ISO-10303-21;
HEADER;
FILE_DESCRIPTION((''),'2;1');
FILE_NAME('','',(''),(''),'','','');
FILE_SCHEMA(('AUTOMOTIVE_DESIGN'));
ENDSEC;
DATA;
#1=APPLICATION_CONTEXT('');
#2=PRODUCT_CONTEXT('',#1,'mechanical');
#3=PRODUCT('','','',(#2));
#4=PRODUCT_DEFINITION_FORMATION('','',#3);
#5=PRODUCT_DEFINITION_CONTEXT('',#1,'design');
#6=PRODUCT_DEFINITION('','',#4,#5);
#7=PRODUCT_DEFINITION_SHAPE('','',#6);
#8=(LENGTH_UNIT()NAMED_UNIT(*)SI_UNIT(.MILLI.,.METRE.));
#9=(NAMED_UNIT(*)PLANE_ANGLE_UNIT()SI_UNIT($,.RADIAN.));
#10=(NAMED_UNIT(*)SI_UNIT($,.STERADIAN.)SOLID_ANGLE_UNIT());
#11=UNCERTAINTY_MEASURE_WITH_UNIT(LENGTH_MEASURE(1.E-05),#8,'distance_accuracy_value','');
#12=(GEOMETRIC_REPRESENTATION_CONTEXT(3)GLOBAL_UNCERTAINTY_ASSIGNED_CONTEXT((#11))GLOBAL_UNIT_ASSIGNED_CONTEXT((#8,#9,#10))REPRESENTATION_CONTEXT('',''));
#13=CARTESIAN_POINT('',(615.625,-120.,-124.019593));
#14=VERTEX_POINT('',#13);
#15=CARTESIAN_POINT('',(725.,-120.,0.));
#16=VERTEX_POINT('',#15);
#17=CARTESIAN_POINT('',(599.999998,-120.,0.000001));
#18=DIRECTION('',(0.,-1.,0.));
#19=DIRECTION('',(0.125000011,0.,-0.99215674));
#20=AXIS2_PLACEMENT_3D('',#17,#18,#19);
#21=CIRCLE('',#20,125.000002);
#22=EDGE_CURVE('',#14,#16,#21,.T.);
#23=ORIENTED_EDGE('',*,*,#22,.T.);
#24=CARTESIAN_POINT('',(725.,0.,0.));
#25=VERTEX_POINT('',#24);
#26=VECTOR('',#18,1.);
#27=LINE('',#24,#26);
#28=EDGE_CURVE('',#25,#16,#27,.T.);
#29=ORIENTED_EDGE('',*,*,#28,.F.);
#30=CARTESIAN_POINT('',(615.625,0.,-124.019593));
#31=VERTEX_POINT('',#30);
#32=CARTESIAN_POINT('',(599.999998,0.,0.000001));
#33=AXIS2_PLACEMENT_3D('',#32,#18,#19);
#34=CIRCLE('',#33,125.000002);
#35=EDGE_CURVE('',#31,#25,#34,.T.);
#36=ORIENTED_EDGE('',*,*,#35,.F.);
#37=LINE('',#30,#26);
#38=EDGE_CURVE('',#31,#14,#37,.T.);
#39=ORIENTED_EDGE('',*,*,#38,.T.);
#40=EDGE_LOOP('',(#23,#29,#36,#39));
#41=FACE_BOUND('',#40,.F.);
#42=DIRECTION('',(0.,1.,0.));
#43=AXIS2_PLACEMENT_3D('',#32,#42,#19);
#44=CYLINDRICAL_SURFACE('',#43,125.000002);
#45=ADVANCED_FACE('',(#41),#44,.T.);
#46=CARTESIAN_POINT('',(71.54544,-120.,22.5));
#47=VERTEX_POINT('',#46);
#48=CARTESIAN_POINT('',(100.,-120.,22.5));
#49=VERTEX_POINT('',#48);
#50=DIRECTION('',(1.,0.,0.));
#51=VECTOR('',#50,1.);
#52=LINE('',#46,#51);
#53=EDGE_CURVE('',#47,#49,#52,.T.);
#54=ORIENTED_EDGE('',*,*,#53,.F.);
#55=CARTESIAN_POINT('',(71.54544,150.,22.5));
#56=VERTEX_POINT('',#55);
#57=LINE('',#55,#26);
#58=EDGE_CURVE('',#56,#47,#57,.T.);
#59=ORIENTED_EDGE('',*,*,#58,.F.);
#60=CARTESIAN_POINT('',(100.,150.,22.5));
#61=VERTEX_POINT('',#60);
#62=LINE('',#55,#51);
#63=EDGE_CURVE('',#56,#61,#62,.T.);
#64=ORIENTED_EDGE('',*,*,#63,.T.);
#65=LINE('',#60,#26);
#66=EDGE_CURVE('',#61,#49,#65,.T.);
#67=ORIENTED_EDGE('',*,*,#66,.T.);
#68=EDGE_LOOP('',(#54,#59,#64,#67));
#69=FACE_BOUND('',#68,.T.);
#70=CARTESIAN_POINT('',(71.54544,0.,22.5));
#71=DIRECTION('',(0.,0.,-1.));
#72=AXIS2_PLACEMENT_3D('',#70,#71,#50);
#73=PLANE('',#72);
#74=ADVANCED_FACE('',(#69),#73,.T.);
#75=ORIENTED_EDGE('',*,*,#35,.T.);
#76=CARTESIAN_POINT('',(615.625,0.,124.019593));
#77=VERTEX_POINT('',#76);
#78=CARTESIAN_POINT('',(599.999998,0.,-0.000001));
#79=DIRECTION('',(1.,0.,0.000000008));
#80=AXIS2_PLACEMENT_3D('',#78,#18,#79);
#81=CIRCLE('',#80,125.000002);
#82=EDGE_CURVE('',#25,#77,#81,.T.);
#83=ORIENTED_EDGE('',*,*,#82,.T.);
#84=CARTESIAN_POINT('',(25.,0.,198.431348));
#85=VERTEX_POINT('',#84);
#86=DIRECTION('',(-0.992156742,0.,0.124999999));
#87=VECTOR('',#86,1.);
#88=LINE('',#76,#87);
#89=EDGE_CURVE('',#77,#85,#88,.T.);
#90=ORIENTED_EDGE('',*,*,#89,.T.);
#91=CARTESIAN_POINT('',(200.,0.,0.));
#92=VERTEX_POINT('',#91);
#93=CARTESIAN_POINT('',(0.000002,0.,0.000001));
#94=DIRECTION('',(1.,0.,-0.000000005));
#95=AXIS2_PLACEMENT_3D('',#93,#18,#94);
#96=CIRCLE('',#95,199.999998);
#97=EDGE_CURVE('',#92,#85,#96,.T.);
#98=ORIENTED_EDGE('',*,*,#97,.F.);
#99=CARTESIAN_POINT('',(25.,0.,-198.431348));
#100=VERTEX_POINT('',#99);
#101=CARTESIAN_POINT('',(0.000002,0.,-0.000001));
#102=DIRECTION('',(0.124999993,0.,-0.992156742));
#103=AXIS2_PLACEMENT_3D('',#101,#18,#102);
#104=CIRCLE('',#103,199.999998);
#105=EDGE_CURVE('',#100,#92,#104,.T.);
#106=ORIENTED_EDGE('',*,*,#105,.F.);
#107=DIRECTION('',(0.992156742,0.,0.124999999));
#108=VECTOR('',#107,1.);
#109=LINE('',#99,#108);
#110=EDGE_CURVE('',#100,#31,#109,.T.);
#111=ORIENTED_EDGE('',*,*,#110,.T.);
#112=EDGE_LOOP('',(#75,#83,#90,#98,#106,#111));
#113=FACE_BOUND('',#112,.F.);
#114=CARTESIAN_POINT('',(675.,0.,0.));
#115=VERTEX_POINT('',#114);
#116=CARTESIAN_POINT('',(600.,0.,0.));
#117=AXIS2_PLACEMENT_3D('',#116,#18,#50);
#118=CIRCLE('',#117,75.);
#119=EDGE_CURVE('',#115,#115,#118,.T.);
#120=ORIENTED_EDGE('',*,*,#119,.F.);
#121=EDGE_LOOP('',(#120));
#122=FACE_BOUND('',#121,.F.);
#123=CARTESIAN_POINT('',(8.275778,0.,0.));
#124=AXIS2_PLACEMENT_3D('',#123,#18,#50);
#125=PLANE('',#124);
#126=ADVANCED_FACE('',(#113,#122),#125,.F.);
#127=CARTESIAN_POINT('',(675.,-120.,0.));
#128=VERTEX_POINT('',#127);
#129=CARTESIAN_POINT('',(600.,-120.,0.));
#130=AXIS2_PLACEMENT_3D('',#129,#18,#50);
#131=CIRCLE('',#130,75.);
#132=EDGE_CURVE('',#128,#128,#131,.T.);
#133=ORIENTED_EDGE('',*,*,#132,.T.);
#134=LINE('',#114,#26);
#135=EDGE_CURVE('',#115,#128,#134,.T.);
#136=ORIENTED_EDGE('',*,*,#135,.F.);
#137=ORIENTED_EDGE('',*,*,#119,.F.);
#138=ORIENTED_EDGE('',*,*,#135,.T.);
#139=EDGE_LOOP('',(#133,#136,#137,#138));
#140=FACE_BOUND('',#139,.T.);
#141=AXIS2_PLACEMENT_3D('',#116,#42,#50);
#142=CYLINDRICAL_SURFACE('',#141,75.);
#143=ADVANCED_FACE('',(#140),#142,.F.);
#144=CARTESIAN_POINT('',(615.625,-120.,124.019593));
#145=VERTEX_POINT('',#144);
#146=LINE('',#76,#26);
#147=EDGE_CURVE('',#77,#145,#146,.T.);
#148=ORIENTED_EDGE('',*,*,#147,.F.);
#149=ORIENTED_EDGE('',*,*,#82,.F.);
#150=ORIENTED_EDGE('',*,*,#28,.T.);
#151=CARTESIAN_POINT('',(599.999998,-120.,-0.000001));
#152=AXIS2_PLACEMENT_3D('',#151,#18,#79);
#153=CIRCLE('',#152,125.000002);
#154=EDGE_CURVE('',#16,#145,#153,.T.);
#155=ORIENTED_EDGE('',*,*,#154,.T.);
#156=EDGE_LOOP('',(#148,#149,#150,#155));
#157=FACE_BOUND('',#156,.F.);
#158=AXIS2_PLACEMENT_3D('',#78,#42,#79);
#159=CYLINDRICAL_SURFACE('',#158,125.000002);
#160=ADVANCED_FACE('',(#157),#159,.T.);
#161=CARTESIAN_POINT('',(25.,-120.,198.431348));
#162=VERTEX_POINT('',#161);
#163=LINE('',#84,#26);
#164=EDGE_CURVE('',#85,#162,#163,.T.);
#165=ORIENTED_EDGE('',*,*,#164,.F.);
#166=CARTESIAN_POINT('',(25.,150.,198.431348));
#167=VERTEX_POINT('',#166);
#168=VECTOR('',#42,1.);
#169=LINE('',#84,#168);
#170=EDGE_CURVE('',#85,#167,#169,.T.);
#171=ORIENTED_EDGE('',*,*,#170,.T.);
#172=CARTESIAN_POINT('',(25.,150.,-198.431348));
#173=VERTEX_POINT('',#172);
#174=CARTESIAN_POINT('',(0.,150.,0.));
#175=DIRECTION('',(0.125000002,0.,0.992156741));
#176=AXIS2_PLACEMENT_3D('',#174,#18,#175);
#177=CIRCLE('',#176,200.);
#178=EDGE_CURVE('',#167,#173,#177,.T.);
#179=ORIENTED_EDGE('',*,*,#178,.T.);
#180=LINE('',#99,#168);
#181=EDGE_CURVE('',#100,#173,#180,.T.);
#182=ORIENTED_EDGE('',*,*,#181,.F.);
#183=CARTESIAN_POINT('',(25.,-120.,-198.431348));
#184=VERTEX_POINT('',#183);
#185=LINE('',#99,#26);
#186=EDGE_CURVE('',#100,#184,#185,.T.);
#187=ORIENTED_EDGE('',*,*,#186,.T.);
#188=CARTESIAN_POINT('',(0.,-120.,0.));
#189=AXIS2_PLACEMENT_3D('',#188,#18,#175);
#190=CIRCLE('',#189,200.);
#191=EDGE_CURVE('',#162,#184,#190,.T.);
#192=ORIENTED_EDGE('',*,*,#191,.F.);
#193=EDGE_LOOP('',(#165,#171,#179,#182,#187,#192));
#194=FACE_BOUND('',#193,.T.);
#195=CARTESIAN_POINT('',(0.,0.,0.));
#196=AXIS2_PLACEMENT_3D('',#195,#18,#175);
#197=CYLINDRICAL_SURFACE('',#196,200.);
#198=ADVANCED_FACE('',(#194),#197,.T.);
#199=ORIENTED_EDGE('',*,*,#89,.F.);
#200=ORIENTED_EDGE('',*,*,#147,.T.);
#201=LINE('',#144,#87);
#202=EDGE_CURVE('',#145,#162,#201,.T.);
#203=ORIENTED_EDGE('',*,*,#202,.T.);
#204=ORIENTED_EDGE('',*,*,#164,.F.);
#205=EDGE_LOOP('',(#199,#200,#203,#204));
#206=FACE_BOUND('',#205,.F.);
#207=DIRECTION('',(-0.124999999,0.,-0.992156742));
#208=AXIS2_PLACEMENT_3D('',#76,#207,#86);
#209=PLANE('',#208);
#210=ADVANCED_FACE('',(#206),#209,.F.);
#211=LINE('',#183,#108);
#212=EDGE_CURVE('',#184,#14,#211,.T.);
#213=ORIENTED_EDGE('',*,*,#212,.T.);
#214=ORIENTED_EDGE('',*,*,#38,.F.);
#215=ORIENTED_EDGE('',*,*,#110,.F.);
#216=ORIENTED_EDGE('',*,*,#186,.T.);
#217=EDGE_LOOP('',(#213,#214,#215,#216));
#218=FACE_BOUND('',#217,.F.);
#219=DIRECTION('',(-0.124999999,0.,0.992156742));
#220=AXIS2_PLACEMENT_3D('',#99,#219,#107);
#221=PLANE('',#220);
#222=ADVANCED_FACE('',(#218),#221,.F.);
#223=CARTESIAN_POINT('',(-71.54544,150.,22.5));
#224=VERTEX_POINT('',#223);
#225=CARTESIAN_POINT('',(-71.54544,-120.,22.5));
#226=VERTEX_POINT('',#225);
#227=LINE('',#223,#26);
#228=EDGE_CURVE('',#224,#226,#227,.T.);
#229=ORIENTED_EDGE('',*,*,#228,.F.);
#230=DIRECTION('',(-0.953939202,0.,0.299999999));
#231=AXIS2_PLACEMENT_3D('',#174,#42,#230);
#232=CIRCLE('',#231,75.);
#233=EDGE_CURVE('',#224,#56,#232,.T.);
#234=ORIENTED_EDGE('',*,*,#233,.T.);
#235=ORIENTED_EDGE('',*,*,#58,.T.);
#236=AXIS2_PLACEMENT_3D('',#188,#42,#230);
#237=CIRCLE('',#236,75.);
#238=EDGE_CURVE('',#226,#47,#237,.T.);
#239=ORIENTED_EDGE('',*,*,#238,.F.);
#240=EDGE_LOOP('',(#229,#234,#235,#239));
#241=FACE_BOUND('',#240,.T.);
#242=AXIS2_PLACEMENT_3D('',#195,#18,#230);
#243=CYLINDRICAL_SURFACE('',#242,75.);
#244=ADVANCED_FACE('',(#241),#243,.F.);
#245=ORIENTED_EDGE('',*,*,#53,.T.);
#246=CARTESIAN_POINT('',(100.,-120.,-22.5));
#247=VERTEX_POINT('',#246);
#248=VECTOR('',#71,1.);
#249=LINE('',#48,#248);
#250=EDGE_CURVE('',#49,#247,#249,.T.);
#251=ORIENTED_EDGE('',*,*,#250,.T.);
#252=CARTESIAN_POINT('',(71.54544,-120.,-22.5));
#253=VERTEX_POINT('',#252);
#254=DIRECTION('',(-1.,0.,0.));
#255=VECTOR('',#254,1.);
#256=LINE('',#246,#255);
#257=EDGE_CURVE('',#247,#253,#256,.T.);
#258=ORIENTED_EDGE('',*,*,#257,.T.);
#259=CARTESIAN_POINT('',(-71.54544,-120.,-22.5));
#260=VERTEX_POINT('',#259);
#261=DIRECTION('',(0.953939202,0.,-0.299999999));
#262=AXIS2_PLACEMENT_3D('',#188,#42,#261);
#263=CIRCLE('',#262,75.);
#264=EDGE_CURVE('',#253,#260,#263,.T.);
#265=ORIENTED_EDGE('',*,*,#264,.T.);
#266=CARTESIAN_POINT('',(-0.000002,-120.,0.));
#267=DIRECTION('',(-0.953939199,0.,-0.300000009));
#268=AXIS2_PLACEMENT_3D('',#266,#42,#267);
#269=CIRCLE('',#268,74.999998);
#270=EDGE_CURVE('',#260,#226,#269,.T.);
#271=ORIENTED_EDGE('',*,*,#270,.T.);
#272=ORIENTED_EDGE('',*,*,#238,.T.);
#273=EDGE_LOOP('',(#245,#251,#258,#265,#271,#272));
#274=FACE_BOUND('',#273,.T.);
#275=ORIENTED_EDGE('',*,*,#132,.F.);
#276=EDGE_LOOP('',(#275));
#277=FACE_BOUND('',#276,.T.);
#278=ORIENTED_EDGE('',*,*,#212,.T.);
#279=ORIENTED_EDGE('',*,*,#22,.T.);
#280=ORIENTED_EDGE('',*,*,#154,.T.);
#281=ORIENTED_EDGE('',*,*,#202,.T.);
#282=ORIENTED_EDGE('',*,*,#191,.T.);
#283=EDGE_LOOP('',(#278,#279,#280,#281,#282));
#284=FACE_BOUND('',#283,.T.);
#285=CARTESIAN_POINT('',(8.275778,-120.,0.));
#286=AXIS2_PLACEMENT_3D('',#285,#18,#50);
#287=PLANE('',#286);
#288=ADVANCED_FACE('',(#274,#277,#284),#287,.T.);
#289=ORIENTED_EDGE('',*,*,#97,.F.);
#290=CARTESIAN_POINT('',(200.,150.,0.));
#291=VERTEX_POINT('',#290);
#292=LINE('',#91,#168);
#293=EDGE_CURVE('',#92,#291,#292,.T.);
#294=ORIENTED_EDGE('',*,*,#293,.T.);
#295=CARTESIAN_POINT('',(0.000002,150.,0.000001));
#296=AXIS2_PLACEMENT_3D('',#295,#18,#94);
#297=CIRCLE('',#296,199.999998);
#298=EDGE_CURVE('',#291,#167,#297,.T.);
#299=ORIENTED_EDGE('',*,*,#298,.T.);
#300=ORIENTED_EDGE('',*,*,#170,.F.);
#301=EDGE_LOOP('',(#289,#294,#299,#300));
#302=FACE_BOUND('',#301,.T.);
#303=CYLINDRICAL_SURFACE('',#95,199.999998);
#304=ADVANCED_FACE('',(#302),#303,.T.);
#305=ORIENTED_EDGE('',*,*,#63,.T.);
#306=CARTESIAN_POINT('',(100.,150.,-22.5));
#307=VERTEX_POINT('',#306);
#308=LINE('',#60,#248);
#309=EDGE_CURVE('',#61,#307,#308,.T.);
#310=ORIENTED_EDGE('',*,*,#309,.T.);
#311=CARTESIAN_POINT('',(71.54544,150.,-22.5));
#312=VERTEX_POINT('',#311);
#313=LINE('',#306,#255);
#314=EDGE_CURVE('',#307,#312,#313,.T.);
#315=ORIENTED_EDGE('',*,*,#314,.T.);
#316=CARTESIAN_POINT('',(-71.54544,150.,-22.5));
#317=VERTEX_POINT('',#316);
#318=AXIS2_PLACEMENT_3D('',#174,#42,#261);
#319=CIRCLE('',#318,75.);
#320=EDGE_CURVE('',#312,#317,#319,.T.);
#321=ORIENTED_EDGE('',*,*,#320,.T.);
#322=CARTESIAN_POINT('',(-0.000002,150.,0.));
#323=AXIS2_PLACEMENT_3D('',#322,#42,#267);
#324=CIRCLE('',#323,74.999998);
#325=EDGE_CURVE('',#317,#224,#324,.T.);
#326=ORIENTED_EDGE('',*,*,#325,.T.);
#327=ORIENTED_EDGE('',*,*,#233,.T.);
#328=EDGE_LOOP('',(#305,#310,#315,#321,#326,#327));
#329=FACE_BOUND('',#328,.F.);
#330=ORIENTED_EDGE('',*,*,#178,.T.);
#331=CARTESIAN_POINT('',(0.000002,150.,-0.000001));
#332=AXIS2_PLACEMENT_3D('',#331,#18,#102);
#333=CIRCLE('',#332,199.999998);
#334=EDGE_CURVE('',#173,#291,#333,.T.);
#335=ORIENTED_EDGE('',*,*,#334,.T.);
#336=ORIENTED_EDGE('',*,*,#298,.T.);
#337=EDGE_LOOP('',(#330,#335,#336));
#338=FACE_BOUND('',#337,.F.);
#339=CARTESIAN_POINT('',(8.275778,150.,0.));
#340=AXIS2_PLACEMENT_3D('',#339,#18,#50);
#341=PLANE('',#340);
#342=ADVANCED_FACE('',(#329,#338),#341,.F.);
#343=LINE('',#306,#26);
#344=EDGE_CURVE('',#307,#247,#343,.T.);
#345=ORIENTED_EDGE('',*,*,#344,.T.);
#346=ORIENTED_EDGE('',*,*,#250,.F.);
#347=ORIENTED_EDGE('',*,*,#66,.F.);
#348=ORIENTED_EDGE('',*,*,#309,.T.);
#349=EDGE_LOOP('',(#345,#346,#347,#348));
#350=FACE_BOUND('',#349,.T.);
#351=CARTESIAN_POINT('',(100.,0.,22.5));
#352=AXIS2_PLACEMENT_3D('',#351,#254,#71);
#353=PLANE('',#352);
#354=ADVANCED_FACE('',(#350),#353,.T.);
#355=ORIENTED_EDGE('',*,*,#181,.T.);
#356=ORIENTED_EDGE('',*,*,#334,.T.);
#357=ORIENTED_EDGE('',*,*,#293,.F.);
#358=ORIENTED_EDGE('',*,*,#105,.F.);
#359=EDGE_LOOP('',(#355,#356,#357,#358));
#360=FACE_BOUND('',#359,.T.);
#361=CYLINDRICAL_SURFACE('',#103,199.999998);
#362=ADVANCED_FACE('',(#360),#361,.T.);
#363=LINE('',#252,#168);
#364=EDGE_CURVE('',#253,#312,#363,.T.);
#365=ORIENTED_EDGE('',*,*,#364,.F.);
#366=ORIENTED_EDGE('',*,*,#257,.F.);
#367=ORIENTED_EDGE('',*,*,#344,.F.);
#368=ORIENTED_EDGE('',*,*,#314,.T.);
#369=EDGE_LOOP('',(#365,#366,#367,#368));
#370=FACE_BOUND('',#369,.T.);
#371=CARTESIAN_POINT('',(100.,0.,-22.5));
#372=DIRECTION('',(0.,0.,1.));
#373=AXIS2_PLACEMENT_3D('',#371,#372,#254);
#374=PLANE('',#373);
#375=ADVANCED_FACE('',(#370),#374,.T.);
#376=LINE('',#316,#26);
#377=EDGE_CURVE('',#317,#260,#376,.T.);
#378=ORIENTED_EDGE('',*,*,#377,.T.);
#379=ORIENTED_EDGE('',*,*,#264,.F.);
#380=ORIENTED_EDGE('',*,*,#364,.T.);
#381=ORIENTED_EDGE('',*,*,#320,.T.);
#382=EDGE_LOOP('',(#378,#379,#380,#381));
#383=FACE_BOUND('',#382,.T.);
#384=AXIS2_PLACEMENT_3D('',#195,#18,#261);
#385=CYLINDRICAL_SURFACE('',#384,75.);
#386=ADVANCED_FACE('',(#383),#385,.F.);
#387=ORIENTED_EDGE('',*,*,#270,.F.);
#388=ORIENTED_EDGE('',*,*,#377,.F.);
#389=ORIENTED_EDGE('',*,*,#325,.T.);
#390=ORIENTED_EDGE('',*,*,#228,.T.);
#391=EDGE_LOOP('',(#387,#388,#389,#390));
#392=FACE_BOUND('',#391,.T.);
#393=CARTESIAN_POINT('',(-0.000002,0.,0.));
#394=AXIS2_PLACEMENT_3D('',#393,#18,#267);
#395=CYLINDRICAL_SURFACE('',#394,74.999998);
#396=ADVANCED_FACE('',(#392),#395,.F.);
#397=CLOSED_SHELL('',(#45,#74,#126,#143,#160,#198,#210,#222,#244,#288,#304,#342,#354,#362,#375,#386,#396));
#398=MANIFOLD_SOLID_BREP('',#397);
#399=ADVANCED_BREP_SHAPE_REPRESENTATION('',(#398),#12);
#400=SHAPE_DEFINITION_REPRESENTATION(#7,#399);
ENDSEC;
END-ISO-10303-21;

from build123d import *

# Parameters (mm, degrees)
F0_R     = 75
F1_DEPTH = 120
F2_DEPTH = 150


with BuildPart() as f1:
    # F0 (on Front) → F1 (new body)
    with BuildSketch(Plane.XZ):
        with BuildLine():
            ThreePointArc((25, -198.431348), (150, -132.287566), (200, 0))
            ThreePointArc((200, 0), (150, 132.287566), (25, 198.431348))
            ThreePointArc((25, 198.431348), (-200, 0), (25, -198.431348))
        make_face()
        with BuildLine():
            ThreePointArc((-71.54544, 22.5), (0, 75), (71.54544, 22.5))
            Line((71.54544, 22.5), (100, 22.5))
            Line((100, 22.5), (100, -22.5))
            Line((100, -22.5), (71.54544, -22.5))
            ThreePointArc((71.54544, -22.5), (0, -75), (-71.54544, -22.5))
            Line((-71.54544, -22.5), (-100, -22.5))
            Line((-100, -22.5), (-100, 22.5))
            Line((-100, 22.5), (-71.54544, 22.5))
        make_face(mode=Mode.SUBTRACT)
        with BuildLine():
            ThreePointArc((-71.54544, -22.5), (-75, 0), (-71.54544, 22.5))
            Line((-71.54544, 22.5), (-100, 22.5))
            Line((-100, 22.5), (-100, -22.5))
            Line((-100, -22.5), (-71.54544, -22.5))
        make_face()
        with BuildLine():
            ThreePointArc((25, 198.431348), (150, 132.287566), (200, 0))
            ThreePointArc((200, 0), (150, -132.287566), (25, -198.431348))
            Line((25, -198.431348), (615.625, -124.019593))
            ThreePointArc((615.625, -124.019593), (475, 0), (615.625, 124.019593))
            Line((615.625, 124.019593), (25, 198.431348))
        make_face()
        with BuildLine():
            ThreePointArc((725, 0), (693.75, 82.679728), (615.625, 124.019593))
            ThreePointArc((615.625, 124.019593), (475, 0), (615.625, -124.019593))
            ThreePointArc((615.625, -124.019593), (693.75, -82.679728), (725, 0))
        make_face()
        with Locations((600, 0)):
            Circle(F0_R, mode=Mode.SUBTRACT)
    extrude(amount=F1_DEPTH)

    # F0 (on Front) → F2 (join)
    with BuildSketch(Plane.XZ):
        with BuildLine():
            ThreePointArc((25, -198.431348), (150, -132.287566), (200, 0))
            ThreePointArc((200, 0), (150, 132.287566), (25, 198.431348))
            ThreePointArc((25, 198.431348), (-200, 0), (25, -198.431348))
        make_face()
        with BuildLine():
            ThreePointArc((-71.54544, 22.5), (0, 75), (71.54544, 22.5))
            Line((71.54544, 22.5), (100, 22.5))
            Line((100, 22.5), (100, -22.5))
            Line((100, -22.5), (71.54544, -22.5))
            ThreePointArc((71.54544, -22.5), (0, -75), (-71.54544, -22.5))
            Line((-71.54544, -22.5), (-100, -22.5))
            Line((-100, -22.5), (-100, 22.5))
            Line((-100, 22.5), (-71.54544, 22.5))
        make_face(mode=Mode.SUBTRACT)
        with BuildLine():
            ThreePointArc((-71.54544, -22.5), (-75, 0), (-71.54544, 22.5))
            Line((-71.54544, 22.5), (-100, 22.5))
            Line((-100, 22.5), (-100, -22.5))
            Line((-100, -22.5), (-71.54544, -22.5))
        make_face()
    extrude(amount=-F2_DEPTH)


solid = f1.part
